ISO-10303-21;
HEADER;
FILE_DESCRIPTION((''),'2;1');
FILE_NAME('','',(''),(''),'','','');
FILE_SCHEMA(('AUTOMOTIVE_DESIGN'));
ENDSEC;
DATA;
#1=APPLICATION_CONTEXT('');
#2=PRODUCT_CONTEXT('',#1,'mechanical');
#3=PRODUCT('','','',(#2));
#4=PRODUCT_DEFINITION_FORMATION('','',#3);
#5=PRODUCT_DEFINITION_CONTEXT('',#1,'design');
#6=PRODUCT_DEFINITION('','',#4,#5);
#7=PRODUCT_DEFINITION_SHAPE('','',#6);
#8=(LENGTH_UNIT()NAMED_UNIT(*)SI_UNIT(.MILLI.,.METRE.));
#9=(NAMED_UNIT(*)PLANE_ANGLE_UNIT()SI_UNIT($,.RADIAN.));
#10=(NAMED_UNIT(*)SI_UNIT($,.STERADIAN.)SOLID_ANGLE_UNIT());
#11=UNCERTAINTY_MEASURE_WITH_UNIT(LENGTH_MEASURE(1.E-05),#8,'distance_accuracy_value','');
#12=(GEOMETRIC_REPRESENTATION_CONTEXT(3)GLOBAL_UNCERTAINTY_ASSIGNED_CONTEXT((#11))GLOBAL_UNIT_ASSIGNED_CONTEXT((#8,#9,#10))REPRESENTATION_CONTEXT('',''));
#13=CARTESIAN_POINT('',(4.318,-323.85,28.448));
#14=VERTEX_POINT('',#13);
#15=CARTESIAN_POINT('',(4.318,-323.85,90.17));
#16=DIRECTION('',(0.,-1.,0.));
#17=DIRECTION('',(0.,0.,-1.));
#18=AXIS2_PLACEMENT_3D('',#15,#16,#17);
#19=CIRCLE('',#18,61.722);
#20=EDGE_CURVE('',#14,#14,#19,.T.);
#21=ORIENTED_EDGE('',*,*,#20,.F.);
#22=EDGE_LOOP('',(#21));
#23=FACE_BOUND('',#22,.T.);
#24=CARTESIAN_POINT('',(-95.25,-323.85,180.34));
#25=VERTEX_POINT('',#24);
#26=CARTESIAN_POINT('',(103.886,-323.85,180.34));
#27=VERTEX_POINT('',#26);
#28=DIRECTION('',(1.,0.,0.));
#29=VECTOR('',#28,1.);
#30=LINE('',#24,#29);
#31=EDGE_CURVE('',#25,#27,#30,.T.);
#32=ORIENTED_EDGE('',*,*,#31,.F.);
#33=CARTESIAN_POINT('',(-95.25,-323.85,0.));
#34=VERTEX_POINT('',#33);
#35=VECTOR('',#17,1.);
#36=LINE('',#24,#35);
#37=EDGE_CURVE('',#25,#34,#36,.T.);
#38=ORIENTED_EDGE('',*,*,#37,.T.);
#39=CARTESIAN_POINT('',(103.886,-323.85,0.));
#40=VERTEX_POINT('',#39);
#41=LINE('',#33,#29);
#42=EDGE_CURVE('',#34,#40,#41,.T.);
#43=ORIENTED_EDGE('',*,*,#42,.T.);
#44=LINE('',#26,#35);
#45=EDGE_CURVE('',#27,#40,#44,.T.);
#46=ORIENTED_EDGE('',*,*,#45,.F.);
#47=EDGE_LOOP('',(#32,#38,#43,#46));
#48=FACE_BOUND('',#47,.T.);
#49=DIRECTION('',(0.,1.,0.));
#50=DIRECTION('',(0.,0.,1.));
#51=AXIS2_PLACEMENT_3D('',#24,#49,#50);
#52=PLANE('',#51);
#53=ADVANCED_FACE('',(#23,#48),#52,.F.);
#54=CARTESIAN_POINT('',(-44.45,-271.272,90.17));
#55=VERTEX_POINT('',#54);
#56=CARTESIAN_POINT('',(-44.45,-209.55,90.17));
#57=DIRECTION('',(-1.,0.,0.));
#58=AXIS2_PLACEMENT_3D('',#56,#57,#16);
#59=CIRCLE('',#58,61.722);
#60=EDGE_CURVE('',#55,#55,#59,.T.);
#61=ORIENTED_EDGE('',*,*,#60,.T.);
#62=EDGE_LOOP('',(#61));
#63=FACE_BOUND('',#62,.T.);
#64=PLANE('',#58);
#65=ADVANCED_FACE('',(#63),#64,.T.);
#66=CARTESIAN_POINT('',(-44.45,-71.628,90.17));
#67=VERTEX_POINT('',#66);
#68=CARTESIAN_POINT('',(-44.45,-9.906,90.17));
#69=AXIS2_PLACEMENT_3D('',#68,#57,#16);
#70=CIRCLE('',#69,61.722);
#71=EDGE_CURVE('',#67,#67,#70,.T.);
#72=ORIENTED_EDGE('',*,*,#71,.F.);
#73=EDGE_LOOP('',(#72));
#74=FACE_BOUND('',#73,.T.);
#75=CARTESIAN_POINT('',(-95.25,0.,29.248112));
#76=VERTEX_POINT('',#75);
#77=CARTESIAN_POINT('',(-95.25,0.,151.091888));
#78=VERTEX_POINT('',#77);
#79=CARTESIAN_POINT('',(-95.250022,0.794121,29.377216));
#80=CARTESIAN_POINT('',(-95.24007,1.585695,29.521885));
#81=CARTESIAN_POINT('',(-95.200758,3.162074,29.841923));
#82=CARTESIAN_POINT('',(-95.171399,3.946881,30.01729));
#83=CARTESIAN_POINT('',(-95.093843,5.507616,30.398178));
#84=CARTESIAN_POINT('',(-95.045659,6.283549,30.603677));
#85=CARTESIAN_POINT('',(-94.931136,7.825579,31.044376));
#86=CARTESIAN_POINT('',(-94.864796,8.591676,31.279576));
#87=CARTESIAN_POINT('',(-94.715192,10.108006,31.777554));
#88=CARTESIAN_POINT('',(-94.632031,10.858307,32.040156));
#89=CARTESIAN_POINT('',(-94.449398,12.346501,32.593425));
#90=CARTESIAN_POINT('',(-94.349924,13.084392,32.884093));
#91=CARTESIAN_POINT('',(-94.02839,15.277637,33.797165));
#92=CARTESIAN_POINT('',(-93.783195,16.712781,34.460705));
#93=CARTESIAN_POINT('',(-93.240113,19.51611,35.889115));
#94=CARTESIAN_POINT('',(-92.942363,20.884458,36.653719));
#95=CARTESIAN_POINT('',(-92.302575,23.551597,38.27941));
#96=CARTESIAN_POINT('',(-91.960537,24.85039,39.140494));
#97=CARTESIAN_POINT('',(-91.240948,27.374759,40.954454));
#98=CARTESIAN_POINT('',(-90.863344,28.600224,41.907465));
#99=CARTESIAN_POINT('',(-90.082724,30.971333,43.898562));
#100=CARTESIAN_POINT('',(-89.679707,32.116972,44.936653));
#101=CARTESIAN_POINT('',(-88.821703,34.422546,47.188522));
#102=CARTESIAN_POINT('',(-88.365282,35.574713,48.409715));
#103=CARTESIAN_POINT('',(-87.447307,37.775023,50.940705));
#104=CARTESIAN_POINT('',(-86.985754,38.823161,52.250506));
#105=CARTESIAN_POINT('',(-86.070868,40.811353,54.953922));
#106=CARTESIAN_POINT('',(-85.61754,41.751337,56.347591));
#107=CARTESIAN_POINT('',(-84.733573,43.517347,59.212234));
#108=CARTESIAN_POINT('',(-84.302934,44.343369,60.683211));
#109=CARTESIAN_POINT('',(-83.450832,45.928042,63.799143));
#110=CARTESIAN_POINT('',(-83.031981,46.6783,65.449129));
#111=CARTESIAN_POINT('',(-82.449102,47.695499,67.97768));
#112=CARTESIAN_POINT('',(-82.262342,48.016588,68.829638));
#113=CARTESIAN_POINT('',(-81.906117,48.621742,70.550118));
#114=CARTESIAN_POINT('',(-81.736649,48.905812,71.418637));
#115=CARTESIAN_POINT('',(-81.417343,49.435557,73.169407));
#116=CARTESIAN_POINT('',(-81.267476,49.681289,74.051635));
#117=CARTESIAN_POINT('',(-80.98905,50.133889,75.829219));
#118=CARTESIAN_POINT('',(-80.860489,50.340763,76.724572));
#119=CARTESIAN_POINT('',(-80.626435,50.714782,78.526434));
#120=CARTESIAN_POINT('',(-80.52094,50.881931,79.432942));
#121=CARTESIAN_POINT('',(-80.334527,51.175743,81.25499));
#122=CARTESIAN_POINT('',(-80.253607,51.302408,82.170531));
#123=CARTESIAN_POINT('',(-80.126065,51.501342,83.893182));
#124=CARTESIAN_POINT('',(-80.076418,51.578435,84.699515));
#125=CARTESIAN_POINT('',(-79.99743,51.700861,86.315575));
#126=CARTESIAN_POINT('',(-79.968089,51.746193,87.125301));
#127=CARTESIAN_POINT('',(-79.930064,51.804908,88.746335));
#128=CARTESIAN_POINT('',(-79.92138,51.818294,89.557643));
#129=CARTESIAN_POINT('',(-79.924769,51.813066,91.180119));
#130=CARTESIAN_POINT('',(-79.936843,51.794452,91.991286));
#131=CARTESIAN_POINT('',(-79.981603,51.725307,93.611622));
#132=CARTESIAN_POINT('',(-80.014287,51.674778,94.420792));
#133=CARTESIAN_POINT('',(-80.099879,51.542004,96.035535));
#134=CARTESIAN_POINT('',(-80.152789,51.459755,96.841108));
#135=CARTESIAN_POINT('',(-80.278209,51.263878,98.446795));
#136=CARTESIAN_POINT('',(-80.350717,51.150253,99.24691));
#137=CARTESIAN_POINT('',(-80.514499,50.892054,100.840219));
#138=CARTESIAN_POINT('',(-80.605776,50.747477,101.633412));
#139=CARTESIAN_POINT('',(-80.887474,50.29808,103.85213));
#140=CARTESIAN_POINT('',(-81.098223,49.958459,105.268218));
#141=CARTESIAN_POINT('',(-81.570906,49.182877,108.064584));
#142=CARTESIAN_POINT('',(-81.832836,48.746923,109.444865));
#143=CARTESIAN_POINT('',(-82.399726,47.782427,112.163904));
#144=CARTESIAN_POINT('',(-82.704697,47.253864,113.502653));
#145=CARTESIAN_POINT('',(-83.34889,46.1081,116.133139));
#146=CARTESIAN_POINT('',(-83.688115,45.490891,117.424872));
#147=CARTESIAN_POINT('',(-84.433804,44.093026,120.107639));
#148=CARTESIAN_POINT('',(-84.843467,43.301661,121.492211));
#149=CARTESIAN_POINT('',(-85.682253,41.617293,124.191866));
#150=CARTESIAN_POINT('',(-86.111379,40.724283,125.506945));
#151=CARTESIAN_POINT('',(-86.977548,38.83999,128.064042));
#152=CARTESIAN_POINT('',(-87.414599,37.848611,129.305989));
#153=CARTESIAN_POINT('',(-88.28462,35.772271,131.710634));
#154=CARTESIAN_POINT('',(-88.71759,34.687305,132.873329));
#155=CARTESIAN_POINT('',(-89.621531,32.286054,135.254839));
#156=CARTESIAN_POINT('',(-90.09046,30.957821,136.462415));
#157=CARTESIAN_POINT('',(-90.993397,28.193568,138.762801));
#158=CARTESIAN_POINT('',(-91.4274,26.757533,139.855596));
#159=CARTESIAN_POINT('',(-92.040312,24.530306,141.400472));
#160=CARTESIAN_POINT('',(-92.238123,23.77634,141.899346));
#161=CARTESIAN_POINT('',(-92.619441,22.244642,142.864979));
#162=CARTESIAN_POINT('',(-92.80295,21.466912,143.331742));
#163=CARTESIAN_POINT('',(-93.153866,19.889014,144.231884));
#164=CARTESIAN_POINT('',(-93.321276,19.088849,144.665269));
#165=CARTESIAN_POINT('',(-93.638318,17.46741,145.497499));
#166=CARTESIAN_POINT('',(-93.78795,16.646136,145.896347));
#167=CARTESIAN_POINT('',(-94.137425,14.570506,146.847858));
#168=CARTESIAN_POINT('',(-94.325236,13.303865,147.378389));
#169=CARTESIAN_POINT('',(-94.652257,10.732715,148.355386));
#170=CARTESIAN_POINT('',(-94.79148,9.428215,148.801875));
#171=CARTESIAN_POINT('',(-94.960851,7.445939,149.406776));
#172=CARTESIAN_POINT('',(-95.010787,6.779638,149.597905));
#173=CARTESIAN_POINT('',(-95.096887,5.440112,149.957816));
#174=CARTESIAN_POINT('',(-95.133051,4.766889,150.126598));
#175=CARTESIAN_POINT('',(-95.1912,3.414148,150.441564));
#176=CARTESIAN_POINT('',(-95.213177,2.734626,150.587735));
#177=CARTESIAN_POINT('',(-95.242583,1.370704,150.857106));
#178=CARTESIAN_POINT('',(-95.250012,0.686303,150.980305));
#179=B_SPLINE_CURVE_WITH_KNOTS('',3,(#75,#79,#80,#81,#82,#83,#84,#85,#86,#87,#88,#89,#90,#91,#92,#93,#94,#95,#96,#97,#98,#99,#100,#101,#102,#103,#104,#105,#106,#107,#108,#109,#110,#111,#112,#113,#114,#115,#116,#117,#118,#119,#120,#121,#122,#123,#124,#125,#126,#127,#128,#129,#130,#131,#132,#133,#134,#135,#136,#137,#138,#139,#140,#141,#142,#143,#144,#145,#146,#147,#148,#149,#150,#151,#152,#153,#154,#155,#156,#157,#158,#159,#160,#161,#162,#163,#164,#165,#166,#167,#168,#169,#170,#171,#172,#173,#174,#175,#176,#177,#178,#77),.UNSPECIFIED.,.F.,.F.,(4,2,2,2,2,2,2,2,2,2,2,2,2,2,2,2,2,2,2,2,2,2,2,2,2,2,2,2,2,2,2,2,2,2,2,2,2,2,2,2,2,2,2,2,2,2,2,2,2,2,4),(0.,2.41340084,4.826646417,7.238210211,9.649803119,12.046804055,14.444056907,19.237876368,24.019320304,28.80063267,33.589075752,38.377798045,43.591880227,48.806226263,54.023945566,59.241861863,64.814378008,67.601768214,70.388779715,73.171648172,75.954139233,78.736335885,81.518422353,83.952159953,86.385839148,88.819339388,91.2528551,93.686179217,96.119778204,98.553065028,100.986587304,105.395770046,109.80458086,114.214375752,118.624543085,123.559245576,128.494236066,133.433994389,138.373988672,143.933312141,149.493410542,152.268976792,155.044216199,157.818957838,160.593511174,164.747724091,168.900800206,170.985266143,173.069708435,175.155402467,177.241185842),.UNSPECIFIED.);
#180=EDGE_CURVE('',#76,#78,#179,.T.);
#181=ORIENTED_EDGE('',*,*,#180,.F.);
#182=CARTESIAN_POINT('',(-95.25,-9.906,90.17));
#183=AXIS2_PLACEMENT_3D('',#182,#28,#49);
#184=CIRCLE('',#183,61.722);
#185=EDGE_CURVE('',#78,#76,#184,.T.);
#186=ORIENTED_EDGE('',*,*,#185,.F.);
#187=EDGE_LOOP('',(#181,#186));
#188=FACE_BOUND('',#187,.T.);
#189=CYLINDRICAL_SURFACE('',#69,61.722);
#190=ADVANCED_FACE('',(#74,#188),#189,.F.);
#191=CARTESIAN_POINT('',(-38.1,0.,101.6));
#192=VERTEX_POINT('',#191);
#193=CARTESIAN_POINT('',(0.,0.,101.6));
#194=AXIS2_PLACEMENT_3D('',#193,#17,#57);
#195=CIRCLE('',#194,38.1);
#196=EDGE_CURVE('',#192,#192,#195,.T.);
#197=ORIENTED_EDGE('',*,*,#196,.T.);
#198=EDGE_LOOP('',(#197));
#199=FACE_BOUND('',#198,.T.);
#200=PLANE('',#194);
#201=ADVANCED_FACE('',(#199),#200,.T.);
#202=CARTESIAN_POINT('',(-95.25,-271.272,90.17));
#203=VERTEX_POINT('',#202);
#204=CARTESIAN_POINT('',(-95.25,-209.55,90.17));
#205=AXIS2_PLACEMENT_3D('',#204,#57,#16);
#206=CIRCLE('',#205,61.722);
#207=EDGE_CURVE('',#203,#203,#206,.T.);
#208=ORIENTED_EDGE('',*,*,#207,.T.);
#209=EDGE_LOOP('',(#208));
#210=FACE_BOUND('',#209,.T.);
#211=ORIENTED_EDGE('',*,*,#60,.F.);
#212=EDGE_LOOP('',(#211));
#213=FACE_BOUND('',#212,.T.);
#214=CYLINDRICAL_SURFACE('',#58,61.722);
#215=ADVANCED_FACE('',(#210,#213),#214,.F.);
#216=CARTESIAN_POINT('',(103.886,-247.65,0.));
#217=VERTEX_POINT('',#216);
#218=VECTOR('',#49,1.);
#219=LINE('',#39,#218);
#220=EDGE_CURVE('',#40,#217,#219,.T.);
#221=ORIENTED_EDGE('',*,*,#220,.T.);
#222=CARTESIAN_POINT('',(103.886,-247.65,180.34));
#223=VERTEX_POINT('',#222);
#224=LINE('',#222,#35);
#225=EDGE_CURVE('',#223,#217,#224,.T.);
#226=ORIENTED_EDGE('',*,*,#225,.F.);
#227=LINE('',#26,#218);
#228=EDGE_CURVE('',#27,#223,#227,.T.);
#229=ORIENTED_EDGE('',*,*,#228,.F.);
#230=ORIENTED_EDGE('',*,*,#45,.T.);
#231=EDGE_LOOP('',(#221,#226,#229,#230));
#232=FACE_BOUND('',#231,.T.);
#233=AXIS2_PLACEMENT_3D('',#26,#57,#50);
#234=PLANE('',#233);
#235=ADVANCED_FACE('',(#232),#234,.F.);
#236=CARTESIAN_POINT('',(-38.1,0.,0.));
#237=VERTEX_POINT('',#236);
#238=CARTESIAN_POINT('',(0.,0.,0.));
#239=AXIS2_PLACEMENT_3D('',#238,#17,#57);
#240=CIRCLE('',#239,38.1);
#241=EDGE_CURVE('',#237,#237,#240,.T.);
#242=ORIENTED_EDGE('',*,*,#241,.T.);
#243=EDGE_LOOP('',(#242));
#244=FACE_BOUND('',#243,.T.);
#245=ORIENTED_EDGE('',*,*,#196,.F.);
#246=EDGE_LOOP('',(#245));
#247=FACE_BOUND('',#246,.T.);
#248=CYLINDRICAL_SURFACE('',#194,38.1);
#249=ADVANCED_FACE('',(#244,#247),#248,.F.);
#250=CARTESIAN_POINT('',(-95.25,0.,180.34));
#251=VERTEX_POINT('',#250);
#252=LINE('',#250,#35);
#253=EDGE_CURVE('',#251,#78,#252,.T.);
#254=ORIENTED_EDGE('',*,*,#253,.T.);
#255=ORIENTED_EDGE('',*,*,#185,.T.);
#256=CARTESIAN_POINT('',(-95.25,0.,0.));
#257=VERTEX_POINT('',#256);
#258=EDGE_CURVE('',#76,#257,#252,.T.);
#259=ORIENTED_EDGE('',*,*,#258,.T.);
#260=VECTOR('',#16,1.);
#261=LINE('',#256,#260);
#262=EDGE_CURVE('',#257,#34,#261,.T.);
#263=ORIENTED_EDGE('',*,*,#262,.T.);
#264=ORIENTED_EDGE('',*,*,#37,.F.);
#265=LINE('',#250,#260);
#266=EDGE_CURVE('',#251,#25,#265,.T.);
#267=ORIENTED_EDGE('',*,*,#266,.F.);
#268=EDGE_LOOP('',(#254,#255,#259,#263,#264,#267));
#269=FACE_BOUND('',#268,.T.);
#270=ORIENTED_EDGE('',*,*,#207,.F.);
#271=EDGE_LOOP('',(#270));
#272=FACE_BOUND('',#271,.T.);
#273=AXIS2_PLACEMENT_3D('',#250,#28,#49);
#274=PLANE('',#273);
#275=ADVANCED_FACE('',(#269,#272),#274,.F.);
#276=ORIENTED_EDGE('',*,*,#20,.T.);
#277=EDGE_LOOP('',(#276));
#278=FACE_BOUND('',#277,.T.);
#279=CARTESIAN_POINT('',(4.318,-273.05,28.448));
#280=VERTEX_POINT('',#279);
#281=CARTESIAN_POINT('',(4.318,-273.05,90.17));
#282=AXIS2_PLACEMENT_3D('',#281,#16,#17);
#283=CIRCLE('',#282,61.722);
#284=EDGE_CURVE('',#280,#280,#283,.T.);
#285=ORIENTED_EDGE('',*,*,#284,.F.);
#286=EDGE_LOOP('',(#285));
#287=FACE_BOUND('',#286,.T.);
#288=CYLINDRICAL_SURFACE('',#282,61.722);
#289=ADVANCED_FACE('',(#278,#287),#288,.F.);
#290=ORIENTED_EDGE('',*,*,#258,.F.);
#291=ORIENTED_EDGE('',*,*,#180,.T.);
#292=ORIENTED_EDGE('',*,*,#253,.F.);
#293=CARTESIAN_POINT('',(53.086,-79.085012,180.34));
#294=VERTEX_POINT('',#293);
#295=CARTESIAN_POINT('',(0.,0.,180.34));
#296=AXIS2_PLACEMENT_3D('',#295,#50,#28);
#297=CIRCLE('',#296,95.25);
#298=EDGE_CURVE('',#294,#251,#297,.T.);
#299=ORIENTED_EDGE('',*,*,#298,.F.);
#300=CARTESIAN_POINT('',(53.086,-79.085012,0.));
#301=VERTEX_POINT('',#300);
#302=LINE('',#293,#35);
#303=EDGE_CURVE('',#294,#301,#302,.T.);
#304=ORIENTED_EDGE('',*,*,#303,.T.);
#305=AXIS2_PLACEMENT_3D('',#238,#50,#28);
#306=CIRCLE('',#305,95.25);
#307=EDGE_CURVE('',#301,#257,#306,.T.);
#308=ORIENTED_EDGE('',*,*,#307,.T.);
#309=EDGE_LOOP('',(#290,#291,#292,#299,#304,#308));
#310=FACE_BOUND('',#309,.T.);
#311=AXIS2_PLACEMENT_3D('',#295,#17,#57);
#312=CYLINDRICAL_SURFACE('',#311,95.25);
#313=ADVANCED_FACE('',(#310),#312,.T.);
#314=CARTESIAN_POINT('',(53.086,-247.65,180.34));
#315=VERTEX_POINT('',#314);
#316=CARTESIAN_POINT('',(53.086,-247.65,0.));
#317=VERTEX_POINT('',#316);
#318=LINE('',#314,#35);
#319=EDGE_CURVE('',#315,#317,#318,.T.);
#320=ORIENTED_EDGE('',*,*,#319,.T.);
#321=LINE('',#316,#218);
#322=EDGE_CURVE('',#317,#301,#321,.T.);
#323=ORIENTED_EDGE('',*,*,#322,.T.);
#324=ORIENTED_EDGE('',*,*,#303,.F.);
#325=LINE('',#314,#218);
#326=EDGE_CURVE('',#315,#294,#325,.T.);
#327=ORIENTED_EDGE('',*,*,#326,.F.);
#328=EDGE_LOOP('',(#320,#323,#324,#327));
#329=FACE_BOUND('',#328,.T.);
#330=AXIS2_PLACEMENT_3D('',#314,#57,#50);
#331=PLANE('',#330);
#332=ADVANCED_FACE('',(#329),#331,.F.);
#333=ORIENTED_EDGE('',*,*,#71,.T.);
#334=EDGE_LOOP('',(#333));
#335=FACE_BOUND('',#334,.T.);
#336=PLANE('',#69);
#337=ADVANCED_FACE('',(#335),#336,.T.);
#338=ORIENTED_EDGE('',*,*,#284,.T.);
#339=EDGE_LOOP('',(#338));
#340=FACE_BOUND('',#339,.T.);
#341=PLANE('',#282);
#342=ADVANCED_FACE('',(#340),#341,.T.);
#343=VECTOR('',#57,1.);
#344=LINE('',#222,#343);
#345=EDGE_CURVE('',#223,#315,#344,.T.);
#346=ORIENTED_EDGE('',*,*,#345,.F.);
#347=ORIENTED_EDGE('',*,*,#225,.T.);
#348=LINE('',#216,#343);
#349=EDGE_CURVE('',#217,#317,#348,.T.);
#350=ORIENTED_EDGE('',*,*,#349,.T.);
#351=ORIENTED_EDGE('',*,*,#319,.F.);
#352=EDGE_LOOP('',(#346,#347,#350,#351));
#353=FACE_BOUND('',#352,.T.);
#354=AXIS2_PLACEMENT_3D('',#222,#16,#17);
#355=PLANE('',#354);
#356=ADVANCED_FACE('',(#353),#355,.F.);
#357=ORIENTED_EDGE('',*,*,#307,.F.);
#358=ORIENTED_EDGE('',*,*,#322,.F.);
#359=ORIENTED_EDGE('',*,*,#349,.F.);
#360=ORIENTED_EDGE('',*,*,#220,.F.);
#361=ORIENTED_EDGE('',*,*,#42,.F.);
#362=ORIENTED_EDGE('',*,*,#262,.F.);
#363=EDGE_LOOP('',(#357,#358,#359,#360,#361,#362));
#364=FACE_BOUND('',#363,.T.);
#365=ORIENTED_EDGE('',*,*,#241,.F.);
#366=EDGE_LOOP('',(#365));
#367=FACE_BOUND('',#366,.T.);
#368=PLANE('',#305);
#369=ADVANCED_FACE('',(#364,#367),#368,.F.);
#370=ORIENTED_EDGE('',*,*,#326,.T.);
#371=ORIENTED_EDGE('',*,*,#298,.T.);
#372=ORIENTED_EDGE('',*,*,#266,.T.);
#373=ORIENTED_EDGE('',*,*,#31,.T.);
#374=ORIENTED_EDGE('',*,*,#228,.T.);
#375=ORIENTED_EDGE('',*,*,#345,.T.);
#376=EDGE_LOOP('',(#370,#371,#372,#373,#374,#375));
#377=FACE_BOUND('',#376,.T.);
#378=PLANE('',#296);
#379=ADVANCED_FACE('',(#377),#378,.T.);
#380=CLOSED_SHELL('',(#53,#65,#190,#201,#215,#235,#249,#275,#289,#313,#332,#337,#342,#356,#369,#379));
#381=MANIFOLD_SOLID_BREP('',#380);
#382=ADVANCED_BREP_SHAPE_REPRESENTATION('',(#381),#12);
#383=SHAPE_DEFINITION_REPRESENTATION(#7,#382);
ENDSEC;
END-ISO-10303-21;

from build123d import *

# Parameters (mm, degrees)
BOSS_EXTRUDE1_DEPTH = 180.34
SKETCH2_R           = 38.1
CUT_EXTRUDE1_DEPTH  = 101.6
SKETCH3_R           = 61.722
CUT_EXTRUDE2_DEPTH  = 50.8
SKETCH4_R           = 61.722
CUT_EXTRUDE3_DEPTH  = 50.8


with BuildPart() as part:
    # Sketch1 → Boss-Extrude1 (new body)
    with BuildSketch(Plane.XY):
        with BuildLine():
            Line((-95.25, 0), (-95.25, -323.85))
            Line((-95.25, -323.85), (103.886, -323.85))
            Line((103.886, -323.85), (103.886, -247.65))
            Line((103.886, -247.65), (53.086, -247.65))
            Line((53.086, -247.65), (53.086, -79.08501188))
            ThreePointArc((53.086, -79.08501188), (44.811388062, 84.050591907), (-95.25, 0))
        make_face()
    extrude(amount=BOSS_EXTRUDE1_DEPTH)

    # Sketch2 → Cut-Extrude1 (cut)
    with BuildSketch(Plane(origin=(0, 0, 0), x_dir=(-1, 0, 0), z_dir=(0, 0, -1))):
        Circle(SKETCH2_R)
    extrude(amount=-CUT_EXTRUDE1_DEPTH, mode=Mode.SUBTRACT)

    # Sketch3 → Cut-Extrude2 (cut)
    with BuildSketch(Plane.XZ.offset(323.85)):
        with Locations(Location((4.318, 90.17, 0), (0, 0, 270))):
            Circle(SKETCH3_R)
    extrude(amount=-CUT_EXTRUDE2_DEPTH, mode=Mode.SUBTRACT)

    # Sketch4 → Cut-Extrude3 (cut)
    with BuildSketch(Plane.ZY.offset(95.25)):
        with Locations(Location((90.17, -209.55, 0), (0, 0, 270))):
            Circle(SKETCH4_R)
        with Locations(Location((90.17, -9.906, 0), (0, 0, 270))):
            Circle(SKETCH4_R)
    extrude(amount=-CUT_EXTRUDE3_DEPTH, mode=Mode.SUBTRACT)


solid = part.part
